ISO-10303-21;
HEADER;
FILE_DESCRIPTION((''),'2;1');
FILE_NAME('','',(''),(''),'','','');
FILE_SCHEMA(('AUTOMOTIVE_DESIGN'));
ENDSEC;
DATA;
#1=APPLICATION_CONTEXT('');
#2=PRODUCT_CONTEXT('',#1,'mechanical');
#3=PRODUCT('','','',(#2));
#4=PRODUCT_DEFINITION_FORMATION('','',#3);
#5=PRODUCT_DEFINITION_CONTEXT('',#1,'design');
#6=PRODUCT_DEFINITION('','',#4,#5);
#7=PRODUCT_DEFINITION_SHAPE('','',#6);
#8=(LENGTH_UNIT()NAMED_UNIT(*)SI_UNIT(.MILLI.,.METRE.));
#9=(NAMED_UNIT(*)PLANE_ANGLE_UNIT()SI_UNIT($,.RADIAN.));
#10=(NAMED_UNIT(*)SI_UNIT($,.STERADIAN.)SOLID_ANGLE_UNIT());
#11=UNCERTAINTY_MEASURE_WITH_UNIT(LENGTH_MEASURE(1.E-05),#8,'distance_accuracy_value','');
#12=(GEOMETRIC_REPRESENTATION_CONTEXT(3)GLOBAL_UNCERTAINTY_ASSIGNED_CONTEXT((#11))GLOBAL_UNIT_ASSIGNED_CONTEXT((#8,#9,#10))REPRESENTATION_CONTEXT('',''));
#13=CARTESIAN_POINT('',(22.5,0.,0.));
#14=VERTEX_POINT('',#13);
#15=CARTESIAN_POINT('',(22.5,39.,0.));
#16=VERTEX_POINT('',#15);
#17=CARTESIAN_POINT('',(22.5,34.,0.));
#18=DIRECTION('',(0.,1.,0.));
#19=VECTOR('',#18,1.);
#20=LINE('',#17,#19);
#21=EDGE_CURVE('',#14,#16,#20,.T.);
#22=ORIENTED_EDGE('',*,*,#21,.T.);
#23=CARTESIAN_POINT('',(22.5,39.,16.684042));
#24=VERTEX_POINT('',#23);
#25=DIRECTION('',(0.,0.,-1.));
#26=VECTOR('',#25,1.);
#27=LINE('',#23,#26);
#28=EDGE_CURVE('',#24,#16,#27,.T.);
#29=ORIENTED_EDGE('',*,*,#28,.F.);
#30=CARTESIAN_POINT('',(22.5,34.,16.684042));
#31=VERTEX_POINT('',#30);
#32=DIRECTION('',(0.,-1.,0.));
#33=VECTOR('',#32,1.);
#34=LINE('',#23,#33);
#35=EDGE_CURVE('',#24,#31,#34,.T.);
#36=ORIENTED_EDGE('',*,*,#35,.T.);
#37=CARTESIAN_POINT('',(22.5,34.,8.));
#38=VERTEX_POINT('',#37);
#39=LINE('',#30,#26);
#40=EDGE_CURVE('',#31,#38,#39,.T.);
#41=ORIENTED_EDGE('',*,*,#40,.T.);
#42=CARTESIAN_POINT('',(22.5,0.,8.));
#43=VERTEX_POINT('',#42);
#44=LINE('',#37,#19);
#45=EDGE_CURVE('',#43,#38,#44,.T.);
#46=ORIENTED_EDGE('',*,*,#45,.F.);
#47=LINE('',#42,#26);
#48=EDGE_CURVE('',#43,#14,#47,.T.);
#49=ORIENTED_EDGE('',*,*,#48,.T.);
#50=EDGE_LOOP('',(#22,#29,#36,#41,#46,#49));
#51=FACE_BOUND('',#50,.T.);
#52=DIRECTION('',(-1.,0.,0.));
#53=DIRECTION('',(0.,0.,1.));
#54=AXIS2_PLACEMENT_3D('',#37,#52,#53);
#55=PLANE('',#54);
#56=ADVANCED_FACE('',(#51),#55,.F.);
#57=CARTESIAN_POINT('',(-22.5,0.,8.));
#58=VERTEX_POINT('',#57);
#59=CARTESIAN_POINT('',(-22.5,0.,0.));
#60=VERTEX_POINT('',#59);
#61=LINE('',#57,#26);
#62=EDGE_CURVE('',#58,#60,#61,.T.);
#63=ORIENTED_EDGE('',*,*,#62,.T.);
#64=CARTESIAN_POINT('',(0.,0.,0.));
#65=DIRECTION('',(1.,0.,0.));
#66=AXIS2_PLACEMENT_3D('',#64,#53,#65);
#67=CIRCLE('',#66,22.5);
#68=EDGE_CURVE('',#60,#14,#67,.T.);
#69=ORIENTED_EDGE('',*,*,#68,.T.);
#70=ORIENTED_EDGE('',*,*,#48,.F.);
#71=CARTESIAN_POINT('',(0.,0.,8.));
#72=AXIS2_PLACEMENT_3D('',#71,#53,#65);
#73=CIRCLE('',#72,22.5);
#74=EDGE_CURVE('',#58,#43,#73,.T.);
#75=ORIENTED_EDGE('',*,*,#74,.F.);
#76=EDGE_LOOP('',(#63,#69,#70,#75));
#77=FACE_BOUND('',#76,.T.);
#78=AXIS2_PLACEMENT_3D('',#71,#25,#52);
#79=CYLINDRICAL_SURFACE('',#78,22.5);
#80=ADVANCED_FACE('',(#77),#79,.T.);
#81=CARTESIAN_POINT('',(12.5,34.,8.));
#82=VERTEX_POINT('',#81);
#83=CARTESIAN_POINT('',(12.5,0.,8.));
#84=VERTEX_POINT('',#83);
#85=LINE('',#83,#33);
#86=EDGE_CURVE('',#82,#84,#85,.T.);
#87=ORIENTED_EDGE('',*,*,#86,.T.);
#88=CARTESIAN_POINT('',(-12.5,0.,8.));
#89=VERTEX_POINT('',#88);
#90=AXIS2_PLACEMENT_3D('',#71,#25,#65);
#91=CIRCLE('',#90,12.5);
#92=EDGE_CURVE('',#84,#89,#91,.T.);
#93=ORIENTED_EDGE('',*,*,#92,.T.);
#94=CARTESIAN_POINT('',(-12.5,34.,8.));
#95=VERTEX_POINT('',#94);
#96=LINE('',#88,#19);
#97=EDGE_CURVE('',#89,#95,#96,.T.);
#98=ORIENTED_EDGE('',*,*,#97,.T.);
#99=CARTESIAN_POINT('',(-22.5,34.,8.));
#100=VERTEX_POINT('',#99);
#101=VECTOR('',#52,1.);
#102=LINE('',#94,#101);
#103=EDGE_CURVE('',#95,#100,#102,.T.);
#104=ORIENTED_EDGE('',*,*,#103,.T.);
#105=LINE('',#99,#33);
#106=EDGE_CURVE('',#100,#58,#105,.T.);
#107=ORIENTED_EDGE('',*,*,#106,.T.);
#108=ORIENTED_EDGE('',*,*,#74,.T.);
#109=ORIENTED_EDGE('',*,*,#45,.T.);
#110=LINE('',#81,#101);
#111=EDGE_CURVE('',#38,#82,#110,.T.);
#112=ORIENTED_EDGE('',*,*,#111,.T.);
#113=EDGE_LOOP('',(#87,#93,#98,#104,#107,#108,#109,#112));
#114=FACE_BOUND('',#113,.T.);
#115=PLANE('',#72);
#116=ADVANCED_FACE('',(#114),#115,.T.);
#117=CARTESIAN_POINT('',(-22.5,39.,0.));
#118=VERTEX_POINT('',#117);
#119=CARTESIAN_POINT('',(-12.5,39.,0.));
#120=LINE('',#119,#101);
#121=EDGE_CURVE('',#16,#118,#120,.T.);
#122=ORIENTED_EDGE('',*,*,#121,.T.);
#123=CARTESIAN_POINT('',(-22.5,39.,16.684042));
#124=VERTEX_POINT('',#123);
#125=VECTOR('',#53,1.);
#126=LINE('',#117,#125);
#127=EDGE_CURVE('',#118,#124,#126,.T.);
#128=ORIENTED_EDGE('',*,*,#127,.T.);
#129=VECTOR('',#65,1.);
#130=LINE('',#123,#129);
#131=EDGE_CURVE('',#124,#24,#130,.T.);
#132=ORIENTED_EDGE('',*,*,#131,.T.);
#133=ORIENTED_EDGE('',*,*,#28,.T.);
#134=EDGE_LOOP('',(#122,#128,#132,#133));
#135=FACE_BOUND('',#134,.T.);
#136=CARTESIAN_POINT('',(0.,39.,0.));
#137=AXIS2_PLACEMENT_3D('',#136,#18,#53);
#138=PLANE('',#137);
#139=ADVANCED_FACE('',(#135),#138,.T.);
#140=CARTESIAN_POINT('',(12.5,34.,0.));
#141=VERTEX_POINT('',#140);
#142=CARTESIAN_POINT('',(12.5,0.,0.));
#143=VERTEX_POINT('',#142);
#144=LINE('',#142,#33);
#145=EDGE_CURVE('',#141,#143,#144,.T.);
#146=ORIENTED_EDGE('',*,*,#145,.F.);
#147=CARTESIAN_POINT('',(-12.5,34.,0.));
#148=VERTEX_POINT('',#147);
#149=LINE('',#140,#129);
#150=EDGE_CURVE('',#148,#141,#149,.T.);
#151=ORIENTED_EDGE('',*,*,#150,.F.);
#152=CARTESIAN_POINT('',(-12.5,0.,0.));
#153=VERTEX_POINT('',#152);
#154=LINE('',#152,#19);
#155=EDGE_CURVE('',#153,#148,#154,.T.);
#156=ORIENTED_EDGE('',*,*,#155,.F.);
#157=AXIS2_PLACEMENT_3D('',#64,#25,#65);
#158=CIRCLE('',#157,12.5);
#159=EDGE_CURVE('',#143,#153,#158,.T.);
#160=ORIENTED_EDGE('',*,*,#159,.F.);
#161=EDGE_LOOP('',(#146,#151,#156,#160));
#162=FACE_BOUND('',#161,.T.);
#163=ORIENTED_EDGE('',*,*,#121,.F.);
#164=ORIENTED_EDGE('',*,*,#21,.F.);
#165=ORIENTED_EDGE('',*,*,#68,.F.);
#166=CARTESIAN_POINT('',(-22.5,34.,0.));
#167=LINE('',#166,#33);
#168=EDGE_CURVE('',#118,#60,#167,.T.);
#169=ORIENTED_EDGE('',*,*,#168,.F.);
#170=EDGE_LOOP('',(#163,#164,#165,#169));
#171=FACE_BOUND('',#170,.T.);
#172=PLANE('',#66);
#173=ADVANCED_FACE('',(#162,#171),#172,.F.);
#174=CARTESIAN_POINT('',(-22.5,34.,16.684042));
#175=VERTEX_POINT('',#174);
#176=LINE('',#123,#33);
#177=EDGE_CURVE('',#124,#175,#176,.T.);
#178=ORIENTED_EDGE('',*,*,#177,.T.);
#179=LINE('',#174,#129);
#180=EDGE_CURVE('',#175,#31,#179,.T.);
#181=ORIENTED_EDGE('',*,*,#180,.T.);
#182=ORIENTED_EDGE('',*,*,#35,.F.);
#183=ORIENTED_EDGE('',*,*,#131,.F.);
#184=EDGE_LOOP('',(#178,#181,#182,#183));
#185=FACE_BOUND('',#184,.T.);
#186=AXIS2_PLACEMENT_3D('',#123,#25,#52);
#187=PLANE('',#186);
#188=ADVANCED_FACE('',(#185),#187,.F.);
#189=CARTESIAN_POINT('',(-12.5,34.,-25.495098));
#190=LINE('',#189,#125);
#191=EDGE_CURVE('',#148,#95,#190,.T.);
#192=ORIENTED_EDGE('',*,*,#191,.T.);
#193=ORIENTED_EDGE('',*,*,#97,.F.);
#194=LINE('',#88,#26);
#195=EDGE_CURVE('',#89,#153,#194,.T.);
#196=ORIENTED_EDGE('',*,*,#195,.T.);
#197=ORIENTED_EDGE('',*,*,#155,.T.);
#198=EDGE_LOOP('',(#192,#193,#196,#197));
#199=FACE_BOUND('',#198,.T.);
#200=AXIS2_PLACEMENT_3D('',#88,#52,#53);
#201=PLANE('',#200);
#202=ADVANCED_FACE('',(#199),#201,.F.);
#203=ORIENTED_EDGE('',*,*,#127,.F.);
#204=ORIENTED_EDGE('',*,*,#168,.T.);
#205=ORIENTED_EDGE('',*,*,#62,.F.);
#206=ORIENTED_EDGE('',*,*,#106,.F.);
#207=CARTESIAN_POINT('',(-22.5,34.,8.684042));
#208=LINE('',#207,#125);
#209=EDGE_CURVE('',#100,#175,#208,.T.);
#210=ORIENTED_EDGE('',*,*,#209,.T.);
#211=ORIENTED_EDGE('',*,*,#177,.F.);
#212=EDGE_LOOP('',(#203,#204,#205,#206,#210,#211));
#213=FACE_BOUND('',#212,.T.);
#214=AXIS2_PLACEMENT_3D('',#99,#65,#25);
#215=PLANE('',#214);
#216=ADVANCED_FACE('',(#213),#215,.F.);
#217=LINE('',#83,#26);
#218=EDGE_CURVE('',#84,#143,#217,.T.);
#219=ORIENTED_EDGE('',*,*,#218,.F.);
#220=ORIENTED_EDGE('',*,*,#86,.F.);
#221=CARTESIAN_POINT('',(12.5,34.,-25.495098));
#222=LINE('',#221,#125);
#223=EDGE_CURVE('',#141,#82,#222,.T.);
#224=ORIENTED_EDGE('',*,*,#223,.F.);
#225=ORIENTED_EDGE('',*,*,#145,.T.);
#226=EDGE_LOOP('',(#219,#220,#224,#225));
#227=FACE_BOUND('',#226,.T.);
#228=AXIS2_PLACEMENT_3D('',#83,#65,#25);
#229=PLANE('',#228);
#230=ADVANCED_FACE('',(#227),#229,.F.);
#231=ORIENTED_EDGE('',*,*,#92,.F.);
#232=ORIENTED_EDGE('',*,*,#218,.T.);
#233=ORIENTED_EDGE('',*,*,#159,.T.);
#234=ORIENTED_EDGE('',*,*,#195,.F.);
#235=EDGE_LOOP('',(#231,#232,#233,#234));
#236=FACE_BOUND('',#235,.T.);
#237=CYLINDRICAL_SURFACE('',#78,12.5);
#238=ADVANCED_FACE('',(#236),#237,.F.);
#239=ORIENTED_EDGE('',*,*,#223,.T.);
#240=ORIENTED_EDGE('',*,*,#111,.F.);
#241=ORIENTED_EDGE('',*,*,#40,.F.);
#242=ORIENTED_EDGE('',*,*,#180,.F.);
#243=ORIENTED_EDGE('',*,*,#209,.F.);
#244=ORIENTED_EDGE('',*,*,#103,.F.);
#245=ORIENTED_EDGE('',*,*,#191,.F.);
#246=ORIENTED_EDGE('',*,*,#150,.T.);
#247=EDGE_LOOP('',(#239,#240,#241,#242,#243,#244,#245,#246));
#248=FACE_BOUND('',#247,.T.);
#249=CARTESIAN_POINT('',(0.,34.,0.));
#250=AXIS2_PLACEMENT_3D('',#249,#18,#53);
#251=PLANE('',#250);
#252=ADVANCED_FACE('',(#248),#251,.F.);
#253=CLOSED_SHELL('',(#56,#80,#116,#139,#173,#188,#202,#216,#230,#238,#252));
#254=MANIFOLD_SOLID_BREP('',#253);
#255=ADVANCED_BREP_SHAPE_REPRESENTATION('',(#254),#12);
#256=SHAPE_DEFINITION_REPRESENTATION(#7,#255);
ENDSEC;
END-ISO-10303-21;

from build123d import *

# Parameters (mm, degrees)
BOSS_EXTRUDE1_DEPTH = 8
BOSS_EXTRUDE2_DEPTH = 5
SKETCH3_W           = 25
SKETCH3_H           = 5
BOSS_EXTRUDE3_DEPTH = 8


with BuildPart() as part:
    # Sketch1 → Boss-Extrude1 (new body)
    with BuildSketch(Plane.XY):
        with BuildLine():
            Line((-12.5, 0), (-12.5, 34))
            Line((-12.5, 34), (-22.5, 34))
            Line((-22.5, 34), (-22.5, 0))
            ThreePointArc((-22.5, 0), (0, -22.5), (22.5, 0))
            Line((22.5, 0), (22.5, 34))
            Line((22.5, 34), (12.5, 34))
            Line((12.5, 34), (12.5, 0))
            ThreePointArc((12.5, 0), (0, -12.5), (-12.5, 0))
        make_face()
    extrude(amount=BOSS_EXTRUDE1_DEPTH)

    # Sketch2 → Boss-Extrude2 (add)
    with BuildSketch(Plane(origin=(0, 34, 0), x_dir=(1, 0, 0), z_dir=(0, 1, 0))):
        Polygon((-22.5, 0), (-22.5, -8.684042384), (-22.5, -16.684042384), (22.5, -16.684042384), (22.5, 0), (12.5, 0), (12.5, -8), (-12.5, -8), (-12.5, 0), align=None)
    extrude(amount=BOSS_EXTRUDE2_DEPTH)

    # Sketch3 → Boss-Extrude3 (add)
    with BuildSketch(Plane(origin=(0, 0, 8), x_dir=(-1, 0, 0), z_dir=(0, 0, -1))):
        with Locations((0, 36.5)):
            Rectangle(SKETCH3_W, SKETCH3_H)
    extrude(amount=BOSS_EXTRUDE3_DEPTH)


solid = part.part
